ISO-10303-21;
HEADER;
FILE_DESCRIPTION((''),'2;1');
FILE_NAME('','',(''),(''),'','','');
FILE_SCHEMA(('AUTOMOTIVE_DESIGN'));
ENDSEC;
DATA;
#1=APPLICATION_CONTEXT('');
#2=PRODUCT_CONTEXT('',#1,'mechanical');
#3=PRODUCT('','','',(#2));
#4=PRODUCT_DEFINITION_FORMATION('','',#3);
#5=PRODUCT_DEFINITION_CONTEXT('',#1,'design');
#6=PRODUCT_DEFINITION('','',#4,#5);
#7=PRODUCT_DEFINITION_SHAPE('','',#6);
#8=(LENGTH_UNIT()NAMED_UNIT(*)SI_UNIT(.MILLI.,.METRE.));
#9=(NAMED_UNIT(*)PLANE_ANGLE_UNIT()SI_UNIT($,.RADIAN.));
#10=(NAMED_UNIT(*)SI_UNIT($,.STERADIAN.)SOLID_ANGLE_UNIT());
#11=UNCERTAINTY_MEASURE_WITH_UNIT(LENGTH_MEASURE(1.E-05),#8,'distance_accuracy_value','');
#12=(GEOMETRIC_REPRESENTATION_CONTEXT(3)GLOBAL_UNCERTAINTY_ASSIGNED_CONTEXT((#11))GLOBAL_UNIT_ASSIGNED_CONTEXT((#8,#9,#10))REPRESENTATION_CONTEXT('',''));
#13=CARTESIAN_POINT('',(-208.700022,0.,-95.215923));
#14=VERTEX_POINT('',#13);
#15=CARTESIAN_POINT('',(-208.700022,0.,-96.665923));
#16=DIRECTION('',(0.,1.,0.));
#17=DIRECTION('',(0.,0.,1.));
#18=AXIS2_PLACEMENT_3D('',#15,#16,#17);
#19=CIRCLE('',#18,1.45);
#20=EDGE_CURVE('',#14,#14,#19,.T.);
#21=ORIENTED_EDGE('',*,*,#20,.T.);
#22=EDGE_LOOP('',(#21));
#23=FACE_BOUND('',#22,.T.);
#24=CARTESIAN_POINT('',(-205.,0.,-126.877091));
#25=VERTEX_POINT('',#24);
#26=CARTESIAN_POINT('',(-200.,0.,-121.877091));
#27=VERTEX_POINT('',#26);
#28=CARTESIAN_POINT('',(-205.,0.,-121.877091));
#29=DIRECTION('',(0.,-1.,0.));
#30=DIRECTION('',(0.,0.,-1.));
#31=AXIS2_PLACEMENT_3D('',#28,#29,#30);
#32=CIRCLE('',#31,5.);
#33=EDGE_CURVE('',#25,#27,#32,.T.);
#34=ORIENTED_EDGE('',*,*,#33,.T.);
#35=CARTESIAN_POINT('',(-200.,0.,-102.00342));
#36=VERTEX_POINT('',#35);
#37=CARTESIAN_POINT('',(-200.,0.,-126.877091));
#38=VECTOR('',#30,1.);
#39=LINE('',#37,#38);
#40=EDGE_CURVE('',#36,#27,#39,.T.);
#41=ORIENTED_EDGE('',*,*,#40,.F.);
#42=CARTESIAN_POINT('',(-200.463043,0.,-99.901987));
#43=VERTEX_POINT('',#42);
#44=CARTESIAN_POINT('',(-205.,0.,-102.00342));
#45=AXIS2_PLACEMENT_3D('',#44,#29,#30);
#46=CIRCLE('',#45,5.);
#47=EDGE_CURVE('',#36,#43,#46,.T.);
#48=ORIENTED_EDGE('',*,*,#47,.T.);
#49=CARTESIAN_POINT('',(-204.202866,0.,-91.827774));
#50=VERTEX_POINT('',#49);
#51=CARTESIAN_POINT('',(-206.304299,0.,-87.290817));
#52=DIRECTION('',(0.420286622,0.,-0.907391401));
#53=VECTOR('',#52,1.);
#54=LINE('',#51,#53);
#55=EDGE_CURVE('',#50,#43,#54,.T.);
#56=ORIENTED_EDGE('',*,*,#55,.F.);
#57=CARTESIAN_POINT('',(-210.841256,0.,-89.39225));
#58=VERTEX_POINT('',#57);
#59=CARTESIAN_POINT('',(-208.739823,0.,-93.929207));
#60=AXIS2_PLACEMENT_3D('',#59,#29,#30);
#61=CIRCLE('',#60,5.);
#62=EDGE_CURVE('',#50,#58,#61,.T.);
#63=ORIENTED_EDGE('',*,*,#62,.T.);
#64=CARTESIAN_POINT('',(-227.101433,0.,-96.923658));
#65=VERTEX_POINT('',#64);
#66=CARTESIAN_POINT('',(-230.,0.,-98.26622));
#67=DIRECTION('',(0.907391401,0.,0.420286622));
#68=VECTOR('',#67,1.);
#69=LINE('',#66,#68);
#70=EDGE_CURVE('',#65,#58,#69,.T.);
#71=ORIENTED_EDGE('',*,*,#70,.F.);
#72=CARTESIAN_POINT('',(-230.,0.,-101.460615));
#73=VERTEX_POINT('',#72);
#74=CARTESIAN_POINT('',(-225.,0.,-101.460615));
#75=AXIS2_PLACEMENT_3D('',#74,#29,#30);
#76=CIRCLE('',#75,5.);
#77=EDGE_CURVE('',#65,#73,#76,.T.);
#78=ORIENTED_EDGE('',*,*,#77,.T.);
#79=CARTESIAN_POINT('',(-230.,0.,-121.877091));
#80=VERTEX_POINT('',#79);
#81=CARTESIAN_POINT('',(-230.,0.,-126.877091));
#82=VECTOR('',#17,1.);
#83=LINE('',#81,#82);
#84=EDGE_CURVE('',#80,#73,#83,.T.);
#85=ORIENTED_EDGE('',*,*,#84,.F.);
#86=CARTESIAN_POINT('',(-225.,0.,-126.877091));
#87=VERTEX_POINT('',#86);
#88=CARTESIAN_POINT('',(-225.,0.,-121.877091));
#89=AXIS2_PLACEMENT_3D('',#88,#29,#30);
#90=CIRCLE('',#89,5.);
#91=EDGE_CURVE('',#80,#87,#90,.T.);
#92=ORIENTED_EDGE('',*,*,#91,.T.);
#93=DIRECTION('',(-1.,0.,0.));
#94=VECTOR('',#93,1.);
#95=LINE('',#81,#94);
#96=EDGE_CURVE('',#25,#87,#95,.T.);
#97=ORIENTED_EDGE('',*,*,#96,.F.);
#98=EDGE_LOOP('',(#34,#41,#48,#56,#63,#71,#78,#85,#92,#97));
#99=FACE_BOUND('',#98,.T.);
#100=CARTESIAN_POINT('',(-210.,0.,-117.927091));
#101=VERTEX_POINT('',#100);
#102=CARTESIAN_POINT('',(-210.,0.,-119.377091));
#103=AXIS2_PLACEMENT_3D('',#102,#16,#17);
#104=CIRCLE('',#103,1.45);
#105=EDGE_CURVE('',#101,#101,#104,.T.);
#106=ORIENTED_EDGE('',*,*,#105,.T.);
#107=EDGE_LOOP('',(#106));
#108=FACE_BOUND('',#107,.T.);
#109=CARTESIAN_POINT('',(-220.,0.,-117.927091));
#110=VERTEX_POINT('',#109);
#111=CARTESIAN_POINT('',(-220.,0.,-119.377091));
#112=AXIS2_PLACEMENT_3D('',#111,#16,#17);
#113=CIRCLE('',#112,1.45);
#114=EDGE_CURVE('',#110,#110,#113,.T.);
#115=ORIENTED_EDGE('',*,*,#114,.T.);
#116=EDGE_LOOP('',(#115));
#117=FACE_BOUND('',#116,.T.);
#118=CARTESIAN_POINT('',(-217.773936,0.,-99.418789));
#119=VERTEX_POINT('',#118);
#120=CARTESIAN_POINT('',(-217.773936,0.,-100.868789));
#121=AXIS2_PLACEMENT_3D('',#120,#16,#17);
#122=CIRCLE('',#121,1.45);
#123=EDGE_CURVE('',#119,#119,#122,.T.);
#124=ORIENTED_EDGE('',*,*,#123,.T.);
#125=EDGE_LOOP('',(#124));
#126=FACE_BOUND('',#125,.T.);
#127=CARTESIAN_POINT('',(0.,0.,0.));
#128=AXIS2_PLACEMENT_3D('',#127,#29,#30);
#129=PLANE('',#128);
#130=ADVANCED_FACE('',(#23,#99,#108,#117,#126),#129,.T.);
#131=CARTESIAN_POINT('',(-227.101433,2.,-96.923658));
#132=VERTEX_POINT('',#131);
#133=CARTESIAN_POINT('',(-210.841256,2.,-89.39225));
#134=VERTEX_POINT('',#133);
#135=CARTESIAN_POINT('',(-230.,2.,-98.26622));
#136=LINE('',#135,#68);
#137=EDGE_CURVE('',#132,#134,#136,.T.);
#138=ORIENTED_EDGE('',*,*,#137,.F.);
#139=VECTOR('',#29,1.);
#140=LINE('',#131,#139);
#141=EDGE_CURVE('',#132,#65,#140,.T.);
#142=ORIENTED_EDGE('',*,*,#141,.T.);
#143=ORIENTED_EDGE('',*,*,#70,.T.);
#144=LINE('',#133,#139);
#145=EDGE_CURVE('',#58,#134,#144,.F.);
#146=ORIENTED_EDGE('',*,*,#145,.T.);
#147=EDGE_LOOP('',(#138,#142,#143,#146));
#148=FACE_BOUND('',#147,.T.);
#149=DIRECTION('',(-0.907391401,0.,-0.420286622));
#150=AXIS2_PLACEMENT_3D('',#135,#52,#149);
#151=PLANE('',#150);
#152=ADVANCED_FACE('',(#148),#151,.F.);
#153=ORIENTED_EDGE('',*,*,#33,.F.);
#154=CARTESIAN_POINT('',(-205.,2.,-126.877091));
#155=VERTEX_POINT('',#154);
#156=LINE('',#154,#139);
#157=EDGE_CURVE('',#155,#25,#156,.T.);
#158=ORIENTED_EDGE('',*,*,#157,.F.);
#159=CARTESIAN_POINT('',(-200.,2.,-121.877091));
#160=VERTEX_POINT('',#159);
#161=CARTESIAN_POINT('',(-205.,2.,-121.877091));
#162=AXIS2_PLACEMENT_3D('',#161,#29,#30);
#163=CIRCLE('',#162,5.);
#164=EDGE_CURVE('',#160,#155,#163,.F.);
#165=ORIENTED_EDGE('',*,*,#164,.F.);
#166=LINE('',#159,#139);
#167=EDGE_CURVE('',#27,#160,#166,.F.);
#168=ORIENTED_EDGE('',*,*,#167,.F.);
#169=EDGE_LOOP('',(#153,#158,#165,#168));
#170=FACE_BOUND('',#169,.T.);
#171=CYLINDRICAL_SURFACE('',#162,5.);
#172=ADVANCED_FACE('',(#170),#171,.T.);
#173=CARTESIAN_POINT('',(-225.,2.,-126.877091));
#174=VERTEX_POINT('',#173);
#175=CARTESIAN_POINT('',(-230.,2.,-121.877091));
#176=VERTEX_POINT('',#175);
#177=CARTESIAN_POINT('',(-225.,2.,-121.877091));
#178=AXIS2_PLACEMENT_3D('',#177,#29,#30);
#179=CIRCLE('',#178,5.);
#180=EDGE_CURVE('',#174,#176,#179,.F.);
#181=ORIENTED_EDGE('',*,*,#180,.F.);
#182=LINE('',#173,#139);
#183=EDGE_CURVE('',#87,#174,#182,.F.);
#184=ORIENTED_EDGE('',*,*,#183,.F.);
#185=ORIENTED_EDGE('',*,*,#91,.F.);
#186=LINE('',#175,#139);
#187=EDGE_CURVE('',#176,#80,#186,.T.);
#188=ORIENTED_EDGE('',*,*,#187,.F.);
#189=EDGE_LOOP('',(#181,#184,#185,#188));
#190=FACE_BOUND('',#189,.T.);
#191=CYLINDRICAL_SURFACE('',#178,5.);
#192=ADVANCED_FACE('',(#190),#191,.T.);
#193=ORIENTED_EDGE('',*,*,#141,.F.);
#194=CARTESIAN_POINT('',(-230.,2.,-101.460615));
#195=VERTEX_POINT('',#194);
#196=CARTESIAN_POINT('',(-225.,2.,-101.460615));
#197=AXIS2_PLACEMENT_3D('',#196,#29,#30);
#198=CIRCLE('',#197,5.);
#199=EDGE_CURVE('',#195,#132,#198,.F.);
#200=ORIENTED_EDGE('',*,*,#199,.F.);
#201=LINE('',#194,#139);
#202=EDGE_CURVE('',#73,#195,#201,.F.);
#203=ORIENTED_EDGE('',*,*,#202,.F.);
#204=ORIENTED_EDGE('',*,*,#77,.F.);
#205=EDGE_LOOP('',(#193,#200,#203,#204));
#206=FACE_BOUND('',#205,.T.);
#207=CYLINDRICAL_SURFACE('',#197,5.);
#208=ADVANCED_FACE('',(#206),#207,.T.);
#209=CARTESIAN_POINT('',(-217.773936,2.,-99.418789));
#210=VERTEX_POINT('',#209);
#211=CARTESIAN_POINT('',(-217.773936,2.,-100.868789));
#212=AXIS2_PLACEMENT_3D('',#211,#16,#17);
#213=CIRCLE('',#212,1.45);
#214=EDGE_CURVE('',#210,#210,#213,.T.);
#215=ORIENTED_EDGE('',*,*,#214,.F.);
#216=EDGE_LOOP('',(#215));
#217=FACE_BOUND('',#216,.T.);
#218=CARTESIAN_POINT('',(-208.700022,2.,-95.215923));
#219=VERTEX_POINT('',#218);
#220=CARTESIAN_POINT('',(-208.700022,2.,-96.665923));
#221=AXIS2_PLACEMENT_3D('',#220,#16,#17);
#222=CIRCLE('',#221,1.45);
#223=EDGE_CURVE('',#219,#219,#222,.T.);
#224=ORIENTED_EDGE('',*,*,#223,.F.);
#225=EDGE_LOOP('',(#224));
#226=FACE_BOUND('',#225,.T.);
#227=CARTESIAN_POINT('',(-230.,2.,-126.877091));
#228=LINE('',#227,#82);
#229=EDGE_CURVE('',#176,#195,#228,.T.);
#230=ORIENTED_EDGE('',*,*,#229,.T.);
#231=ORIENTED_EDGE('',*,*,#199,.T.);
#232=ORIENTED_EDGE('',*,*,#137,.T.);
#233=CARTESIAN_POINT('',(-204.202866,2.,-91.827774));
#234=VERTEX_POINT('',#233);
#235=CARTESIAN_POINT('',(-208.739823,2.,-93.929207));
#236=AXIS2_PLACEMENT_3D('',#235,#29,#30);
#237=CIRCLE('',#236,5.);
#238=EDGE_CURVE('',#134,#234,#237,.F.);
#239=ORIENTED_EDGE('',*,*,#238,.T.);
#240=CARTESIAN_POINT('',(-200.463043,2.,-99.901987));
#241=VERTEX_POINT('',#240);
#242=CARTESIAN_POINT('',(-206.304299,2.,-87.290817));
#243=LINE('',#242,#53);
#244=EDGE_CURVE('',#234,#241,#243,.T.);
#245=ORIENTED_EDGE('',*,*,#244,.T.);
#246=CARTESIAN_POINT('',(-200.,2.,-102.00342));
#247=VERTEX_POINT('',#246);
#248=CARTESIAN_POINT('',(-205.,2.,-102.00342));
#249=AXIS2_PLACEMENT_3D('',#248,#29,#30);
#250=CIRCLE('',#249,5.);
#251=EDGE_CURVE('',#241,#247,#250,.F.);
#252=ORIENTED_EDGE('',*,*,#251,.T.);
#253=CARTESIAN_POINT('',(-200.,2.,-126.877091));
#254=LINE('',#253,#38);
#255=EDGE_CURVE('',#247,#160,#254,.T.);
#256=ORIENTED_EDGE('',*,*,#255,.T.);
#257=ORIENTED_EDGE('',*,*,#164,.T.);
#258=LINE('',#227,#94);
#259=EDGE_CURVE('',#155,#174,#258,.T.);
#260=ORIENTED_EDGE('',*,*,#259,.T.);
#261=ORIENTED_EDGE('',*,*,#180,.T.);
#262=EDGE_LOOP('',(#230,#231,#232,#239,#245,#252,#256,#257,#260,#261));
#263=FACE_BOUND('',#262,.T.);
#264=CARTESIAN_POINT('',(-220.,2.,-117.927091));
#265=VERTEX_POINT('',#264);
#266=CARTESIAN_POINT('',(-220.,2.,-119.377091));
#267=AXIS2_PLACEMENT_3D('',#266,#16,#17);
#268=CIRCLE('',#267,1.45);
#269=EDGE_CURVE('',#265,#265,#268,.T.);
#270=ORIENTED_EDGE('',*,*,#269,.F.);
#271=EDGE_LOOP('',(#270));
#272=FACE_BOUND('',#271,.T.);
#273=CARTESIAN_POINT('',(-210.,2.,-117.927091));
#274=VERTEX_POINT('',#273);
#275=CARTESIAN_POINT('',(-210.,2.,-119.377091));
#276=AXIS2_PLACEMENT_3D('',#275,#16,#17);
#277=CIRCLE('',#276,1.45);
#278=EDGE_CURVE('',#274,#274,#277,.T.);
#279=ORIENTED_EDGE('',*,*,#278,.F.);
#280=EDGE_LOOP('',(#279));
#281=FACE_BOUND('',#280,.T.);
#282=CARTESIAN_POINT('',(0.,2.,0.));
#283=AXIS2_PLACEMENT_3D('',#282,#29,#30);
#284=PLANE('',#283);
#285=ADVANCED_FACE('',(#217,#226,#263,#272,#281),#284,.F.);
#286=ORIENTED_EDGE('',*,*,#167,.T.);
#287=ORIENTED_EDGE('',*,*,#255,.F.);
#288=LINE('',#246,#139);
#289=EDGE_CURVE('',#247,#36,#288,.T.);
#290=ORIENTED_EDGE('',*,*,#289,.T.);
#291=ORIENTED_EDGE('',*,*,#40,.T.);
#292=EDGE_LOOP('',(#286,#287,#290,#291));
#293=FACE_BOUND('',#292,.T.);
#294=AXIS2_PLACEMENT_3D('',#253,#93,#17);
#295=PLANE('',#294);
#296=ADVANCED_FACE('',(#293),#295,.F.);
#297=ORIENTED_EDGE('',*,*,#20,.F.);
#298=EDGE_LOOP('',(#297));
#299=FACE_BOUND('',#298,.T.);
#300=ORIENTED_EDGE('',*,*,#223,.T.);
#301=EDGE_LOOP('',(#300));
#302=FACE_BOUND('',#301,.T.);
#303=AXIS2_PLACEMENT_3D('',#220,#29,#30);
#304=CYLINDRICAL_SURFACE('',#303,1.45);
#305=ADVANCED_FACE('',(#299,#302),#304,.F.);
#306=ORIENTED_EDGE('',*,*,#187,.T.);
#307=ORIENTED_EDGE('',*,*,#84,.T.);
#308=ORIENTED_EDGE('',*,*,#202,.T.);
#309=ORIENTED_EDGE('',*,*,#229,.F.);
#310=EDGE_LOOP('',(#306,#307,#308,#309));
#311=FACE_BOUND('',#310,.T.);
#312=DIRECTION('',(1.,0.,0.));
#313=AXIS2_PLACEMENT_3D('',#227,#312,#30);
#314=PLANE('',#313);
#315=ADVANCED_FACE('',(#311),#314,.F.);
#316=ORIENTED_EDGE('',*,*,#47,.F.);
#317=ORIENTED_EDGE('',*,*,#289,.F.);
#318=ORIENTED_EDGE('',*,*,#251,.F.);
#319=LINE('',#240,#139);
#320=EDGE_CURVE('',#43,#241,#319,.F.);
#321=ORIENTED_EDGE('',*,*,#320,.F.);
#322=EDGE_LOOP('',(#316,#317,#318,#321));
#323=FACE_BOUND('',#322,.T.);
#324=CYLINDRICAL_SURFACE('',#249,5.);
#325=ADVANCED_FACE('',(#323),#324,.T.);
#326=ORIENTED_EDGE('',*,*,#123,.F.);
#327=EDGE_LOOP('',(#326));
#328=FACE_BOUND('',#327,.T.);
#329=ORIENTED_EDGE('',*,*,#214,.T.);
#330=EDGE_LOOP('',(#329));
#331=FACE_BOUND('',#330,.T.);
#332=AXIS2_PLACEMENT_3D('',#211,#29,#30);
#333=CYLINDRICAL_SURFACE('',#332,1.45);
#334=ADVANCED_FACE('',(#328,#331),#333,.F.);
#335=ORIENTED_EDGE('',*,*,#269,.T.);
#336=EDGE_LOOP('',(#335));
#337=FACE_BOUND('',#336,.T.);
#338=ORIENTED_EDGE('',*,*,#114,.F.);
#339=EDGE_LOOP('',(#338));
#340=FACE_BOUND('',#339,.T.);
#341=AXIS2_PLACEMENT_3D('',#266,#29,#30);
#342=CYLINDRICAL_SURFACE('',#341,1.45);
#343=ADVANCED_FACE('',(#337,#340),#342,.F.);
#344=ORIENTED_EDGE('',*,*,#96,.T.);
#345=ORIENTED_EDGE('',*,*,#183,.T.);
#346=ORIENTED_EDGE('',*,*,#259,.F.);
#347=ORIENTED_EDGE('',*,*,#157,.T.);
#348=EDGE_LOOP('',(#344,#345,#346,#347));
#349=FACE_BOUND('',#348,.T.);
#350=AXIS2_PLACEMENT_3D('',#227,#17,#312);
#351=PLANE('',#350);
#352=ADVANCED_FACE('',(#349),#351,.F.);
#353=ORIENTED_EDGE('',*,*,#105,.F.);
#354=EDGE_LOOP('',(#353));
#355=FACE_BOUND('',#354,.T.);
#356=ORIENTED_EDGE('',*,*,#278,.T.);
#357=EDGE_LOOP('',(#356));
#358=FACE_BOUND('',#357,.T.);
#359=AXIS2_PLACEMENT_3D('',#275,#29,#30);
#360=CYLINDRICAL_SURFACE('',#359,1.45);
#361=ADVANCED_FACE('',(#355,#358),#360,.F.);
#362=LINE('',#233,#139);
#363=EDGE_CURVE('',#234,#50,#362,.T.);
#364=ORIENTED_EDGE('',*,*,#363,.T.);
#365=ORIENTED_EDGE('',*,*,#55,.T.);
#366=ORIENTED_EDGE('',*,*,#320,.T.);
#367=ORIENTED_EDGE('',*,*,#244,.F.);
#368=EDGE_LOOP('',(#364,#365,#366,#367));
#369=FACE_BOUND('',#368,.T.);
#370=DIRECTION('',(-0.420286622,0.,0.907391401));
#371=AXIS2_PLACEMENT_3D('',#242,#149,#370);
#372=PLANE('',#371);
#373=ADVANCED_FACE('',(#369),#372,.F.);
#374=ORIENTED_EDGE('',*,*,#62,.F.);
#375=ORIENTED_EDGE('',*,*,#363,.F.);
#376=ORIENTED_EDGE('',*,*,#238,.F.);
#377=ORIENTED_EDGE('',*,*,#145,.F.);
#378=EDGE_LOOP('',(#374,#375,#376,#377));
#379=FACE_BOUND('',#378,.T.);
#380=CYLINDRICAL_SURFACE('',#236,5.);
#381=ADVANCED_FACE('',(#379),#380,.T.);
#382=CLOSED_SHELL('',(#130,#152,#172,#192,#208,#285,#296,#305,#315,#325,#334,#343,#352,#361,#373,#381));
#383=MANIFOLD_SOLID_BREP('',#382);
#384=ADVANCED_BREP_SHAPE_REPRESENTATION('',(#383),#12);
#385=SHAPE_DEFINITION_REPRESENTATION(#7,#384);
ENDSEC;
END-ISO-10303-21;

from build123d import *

# Parameters (mm, degrees)
SKETCH_1_R      = 1.45
EXTRUDE_1_DEPTH = 2
FILLET_1_R      = 5


with BuildPart() as part:
    # 草图1 → 凸台-拉伸1 (new body)
    with BuildSketch(Plane(origin=(0, 0, 0), x_dir=(1, 0, 0), z_dir=(0, 1, 0))):
        Polygon((-230, 126.877091055), (-230, 98.266220035), (-206.304299333, 87.290817382), (-200, 100.901688402), (-200, 126.877091055), align=None)
        with Locations(Location((-217.77393632, 100.868789323, 0), (0, 0, 270))):
            Circle(SKETCH_1_R, mode=Mode.SUBTRACT)
        with Locations(Location((-208.700022307, 96.665923102, 0), (0, 0, 270))):
            Circle(SKETCH_1_R, mode=Mode.SUBTRACT)
        with Locations(Location((-220, 119.377091055, 0), (0, 0, 270))):
            Circle(SKETCH_1_R, mode=Mode.SUBTRACT)
        with Locations(Location((-210, 119.377091055, 0), (0, 0, 270))):
            Circle(SKETCH_1_R, mode=Mode.SUBTRACT)
    extrude(amount=EXTRUDE_1_DEPTH)

    # 圆角1
    fillet_1_edges = [part.edges().sort_by_distance(p)[0] for p in [
        (-200, 1, -126.877091055),
        (-200, 1, -100.901688402),
        (-206.304299333, 1, -87.290817382),
        (-230, 1, -98.266220035),
        (-230, 1, -126.877091055),
    ]]
    fillet(fillet_1_edges, radius=FILLET_1_R)


solid = part.part
